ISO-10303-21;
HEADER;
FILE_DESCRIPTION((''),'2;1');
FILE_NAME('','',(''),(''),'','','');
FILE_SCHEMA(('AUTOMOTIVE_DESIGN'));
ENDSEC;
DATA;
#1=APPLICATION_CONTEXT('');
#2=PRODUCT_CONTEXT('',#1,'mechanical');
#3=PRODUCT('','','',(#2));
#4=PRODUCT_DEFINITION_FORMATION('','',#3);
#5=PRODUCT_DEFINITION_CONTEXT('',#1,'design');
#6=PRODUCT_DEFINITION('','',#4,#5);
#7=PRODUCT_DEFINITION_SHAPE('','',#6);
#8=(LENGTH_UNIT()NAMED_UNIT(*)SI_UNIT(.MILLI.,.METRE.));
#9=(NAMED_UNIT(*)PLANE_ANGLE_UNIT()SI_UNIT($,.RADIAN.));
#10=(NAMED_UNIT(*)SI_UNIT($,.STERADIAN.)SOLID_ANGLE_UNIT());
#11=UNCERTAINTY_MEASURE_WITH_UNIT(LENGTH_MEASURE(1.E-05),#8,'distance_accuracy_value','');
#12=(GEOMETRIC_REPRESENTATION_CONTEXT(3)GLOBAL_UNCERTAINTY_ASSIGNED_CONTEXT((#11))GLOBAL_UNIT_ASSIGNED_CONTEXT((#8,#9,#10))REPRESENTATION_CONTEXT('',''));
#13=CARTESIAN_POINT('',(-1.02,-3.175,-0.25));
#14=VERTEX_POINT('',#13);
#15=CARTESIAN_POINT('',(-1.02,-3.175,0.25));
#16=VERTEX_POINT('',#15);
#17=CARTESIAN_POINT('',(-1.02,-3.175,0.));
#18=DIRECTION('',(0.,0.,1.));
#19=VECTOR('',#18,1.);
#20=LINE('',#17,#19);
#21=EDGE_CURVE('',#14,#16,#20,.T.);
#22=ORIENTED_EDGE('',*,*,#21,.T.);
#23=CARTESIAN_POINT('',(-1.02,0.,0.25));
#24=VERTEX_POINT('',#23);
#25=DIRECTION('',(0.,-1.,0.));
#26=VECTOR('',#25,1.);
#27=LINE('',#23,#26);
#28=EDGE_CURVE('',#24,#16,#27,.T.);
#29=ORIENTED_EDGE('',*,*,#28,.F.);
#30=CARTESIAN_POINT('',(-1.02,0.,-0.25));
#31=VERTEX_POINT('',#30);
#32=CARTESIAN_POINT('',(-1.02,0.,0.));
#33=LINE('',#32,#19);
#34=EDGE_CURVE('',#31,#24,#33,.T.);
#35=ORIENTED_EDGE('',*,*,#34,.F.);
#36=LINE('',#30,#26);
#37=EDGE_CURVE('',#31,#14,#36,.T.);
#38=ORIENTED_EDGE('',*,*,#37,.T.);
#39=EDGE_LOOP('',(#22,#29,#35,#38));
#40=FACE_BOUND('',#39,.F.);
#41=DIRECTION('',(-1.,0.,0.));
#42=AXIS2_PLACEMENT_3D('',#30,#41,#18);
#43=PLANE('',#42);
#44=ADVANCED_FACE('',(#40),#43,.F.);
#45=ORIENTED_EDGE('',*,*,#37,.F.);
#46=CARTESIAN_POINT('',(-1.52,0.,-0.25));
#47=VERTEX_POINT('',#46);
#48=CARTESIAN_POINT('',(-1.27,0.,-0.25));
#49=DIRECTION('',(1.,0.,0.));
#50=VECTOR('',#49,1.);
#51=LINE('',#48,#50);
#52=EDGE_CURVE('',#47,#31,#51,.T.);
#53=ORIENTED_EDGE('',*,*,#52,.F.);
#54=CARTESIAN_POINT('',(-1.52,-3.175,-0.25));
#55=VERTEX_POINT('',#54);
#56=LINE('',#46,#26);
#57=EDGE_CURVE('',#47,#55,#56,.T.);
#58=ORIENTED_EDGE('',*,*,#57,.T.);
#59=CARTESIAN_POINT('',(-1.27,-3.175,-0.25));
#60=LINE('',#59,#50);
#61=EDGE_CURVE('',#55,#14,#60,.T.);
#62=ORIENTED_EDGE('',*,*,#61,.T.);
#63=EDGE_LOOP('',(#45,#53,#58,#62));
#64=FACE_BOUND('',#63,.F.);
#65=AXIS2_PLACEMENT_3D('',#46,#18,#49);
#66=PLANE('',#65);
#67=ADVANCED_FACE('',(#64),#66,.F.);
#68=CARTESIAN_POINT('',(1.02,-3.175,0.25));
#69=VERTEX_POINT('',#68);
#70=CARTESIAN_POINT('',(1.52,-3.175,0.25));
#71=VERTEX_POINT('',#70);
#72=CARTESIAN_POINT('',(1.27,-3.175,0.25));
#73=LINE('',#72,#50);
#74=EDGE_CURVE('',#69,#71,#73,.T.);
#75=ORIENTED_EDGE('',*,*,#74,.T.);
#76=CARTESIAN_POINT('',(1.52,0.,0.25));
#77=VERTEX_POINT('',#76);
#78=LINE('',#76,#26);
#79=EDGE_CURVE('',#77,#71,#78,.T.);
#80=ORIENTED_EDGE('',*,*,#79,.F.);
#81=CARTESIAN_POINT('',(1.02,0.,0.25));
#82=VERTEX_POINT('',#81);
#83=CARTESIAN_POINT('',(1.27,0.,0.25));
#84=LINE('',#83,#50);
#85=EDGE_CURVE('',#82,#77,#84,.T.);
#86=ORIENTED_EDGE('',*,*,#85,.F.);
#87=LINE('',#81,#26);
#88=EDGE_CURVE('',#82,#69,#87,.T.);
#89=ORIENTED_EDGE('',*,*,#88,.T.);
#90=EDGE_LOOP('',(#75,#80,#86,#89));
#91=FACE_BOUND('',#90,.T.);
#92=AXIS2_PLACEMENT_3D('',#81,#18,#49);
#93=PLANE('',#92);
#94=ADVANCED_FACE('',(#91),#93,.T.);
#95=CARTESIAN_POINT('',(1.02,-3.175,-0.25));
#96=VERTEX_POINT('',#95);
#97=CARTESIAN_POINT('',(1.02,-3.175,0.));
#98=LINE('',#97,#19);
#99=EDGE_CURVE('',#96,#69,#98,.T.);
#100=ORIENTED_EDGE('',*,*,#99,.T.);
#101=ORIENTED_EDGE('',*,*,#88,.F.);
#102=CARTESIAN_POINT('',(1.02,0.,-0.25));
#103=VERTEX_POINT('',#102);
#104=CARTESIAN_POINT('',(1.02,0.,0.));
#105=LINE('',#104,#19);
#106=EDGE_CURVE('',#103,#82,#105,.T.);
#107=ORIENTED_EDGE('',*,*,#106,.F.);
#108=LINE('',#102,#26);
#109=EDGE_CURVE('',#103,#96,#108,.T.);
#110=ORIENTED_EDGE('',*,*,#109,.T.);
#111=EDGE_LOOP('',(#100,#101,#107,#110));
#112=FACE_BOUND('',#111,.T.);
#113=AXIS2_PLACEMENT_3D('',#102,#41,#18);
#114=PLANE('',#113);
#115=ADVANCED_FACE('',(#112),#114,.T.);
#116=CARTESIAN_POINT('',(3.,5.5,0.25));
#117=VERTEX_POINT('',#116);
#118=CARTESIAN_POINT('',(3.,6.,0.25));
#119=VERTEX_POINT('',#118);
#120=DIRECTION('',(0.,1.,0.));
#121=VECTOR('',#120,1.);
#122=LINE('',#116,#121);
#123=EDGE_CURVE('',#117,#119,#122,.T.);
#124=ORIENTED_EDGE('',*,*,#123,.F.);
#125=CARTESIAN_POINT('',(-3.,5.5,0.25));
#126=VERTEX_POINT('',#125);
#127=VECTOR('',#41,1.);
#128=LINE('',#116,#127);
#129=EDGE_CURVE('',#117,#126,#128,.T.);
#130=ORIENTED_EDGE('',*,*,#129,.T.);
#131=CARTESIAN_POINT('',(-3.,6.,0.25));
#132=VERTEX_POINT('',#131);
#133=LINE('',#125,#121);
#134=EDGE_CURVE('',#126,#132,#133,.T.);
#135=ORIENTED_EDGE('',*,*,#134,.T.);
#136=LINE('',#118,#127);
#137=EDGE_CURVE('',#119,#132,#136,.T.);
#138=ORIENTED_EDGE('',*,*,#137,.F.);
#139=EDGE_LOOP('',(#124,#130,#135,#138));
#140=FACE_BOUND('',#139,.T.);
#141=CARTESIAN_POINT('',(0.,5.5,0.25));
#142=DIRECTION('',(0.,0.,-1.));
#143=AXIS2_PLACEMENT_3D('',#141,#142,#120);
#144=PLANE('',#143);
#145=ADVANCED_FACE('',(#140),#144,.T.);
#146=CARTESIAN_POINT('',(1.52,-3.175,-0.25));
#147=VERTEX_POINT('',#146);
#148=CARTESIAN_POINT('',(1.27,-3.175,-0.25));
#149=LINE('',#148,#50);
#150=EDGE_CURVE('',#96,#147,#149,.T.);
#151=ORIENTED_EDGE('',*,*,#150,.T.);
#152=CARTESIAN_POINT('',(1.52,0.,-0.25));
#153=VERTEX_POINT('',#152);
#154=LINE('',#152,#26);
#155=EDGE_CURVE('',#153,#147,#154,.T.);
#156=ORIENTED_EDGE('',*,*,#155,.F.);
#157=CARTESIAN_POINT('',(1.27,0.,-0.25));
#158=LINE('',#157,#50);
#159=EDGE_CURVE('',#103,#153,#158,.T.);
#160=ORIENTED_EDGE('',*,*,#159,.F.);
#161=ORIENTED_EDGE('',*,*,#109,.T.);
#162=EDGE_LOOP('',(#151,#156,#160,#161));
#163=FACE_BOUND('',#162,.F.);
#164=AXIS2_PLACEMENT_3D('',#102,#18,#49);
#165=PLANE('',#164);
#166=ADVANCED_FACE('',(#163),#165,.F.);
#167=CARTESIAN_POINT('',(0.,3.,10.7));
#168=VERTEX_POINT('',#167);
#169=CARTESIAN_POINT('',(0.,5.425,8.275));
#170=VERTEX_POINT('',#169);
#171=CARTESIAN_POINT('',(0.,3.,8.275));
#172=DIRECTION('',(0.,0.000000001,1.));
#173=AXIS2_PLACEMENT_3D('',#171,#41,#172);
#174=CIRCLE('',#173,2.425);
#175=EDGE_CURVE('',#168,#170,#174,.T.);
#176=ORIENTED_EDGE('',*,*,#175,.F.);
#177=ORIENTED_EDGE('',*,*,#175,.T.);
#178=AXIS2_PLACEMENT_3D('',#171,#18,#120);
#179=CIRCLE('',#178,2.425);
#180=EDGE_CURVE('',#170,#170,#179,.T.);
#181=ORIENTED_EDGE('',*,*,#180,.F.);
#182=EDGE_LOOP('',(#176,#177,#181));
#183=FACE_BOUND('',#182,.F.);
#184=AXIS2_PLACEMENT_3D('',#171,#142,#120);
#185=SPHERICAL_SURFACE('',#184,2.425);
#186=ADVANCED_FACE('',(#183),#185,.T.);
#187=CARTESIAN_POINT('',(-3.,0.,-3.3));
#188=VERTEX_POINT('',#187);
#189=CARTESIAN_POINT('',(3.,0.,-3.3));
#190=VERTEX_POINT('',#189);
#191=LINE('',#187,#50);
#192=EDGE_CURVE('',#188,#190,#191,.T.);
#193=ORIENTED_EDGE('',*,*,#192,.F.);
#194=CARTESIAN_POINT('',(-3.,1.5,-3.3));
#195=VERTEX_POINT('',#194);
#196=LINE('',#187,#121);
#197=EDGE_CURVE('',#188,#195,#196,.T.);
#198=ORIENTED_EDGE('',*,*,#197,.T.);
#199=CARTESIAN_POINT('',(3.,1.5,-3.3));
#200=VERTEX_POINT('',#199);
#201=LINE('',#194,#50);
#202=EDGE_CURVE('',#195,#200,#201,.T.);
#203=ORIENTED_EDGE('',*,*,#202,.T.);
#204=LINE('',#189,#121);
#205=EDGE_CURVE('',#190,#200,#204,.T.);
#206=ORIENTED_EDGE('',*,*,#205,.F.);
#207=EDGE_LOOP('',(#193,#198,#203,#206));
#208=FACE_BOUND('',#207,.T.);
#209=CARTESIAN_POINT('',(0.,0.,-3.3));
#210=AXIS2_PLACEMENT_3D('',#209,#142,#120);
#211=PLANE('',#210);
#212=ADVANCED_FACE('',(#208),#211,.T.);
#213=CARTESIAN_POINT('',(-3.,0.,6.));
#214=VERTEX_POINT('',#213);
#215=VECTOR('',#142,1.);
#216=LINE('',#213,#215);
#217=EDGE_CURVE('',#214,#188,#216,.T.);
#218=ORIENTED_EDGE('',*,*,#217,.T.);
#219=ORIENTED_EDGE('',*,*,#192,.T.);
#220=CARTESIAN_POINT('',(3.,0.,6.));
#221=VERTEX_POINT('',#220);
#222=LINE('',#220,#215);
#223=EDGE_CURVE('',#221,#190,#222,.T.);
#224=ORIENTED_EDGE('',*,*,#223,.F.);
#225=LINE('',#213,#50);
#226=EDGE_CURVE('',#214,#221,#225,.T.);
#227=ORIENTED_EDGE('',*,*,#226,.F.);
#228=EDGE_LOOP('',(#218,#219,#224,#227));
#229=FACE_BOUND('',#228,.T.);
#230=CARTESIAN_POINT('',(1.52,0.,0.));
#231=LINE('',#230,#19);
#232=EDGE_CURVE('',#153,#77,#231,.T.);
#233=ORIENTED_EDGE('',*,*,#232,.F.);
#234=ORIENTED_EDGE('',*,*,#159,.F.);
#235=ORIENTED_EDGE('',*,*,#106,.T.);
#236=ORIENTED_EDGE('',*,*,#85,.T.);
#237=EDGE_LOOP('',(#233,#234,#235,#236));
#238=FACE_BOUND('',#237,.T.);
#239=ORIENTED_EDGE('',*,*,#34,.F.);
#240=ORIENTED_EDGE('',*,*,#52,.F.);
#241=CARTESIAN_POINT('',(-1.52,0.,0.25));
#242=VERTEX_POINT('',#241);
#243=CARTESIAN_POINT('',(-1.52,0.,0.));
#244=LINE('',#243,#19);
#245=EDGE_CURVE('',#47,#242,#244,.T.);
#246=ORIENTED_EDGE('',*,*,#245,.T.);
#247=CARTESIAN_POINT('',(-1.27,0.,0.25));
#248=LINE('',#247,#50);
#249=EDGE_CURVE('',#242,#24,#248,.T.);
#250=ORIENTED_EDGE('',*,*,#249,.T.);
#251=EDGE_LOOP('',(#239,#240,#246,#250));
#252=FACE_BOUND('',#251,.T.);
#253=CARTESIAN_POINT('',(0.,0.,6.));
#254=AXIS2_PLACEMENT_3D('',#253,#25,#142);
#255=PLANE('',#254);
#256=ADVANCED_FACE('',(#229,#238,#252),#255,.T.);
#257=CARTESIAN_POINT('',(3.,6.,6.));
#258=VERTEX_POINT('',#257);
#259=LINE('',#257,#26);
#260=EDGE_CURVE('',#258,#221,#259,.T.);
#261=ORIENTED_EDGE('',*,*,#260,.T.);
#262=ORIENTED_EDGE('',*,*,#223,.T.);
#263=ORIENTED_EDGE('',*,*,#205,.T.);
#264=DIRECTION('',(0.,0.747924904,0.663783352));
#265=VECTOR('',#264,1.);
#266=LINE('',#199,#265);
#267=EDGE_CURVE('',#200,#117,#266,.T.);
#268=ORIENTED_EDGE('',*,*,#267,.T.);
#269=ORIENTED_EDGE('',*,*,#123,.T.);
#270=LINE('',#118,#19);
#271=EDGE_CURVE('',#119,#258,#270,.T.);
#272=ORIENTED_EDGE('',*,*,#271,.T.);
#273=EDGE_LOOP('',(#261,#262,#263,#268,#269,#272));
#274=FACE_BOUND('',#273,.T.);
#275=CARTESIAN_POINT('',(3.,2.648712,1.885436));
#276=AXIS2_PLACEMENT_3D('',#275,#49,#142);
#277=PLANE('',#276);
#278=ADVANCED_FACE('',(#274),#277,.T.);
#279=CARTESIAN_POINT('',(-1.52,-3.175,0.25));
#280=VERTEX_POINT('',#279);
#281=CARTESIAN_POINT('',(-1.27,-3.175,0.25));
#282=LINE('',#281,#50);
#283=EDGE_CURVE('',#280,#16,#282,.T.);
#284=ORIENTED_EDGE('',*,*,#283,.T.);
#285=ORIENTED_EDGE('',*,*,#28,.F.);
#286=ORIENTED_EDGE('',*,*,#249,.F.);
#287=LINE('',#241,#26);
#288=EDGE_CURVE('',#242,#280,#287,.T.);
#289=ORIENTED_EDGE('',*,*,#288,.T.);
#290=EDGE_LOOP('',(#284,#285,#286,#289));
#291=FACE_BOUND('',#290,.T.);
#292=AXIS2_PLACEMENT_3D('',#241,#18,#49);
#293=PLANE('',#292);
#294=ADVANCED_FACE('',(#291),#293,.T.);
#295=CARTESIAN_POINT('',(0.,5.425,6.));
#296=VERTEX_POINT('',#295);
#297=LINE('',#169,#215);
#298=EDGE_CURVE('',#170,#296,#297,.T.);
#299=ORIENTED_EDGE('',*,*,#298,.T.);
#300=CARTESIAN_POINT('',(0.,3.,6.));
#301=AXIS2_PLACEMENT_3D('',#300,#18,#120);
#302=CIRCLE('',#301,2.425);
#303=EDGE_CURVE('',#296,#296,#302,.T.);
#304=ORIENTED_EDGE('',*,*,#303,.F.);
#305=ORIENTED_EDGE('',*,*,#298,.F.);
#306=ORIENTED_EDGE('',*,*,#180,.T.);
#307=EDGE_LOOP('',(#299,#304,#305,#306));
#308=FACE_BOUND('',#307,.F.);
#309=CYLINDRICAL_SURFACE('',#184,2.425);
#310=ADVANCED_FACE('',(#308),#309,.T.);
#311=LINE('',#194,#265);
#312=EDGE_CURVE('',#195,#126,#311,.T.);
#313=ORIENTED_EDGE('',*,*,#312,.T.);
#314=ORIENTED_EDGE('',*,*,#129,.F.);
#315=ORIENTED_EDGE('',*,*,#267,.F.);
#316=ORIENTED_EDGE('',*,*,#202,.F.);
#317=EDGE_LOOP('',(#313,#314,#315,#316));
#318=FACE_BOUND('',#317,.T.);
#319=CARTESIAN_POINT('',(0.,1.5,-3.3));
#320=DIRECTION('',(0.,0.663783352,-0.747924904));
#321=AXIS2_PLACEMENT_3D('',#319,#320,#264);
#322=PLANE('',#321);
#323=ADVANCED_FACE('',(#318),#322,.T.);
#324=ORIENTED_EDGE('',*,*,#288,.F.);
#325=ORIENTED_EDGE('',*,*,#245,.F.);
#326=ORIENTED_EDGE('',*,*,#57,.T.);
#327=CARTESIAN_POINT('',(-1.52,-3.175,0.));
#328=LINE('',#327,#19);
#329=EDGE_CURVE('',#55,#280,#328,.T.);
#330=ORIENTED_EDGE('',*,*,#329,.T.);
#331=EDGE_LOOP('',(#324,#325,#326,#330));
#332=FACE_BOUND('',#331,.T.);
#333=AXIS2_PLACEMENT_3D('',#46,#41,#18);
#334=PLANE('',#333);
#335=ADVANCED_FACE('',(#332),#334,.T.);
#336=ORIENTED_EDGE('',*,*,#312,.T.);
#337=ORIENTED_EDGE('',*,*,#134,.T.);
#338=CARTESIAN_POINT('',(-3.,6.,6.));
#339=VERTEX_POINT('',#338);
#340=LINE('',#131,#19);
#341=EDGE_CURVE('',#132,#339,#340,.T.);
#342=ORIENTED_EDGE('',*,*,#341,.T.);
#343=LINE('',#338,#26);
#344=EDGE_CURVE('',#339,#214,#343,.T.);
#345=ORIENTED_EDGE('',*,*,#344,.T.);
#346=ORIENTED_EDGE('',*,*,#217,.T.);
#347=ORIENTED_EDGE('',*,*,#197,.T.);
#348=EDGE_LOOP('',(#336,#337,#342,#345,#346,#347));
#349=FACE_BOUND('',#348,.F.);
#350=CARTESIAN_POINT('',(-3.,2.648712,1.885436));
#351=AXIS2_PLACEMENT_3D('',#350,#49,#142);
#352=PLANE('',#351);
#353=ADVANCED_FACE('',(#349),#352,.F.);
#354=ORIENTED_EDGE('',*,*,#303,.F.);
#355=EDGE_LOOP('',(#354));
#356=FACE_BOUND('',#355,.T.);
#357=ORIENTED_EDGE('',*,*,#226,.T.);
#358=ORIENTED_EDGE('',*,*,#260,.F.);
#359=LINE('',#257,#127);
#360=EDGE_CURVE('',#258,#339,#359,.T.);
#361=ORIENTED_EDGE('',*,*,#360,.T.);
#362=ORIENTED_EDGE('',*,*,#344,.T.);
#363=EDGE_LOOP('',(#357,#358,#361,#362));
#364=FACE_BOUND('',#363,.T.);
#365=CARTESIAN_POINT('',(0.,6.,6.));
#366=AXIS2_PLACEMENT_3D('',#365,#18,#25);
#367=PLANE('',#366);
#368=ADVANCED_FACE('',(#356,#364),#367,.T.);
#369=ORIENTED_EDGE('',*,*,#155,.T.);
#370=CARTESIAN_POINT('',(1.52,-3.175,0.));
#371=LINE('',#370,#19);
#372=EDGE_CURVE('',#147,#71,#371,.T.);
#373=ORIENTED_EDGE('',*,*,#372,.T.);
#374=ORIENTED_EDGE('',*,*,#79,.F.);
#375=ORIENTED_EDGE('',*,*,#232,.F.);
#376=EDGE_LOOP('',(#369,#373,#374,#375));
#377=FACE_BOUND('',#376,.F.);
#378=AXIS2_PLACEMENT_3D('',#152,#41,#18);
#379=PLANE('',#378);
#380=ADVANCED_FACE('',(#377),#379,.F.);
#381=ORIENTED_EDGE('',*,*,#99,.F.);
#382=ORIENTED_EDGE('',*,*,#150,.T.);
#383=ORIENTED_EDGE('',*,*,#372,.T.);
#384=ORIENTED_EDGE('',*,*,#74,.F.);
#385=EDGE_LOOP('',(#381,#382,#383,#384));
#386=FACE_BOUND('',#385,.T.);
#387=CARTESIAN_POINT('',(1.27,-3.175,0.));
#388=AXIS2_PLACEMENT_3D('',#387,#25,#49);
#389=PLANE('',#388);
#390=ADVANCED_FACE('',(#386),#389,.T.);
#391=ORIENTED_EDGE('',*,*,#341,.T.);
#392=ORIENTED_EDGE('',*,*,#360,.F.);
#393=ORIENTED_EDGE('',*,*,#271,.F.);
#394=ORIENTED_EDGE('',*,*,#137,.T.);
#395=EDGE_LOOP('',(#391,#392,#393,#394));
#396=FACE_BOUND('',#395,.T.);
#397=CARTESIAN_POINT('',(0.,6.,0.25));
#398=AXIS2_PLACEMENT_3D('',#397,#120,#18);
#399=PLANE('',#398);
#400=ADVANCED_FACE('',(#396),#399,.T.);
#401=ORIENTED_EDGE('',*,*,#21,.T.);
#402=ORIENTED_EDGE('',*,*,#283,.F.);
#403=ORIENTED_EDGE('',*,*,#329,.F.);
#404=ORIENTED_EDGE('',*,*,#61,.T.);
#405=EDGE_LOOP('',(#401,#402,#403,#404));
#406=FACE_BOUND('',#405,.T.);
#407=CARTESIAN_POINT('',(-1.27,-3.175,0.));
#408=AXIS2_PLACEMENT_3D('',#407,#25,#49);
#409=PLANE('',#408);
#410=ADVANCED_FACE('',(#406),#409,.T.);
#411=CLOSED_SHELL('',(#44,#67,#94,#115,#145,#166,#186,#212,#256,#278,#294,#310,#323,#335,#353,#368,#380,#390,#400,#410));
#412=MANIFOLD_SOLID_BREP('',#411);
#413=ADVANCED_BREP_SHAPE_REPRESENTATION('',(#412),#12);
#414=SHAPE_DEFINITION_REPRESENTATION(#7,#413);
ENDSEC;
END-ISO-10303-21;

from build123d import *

# Parameters (mm, degrees)
BOSS_EXTRUDE1_DEPTH = 3
SKETCH3_W           = 0.5
SKETCH3_H           = 0.5
BOSS_EXTRUDE2_DEPTH = 3.175


with BuildPart() as part:
    # Sketch1 → Boss-Extrude1 (new body, symmetric)
    with BuildSketch(Plane(origin=(0, 0, 0), x_dir=(0, 0, -1), z_dir=(1, 0, 0))):
        Polygon((-6, 6), (-6, 0), (3.3, 0), (3.3, 1.5), (-0.25, 5.5), (-0.25, 6), align=None)
    extrude(amount=BOSS_EXTRUDE1_DEPTH, both=True)

    # Sketch2 → Revolve1 (revolve)
    with BuildSketch(Plane(origin=(0, 0, 0), x_dir=(0, 0, -1), z_dir=(1, 0, 0))):
        with BuildLine():
            Line((-6, 3), (-10.7, 3))
            ThreePointArc((-10.7, 3), (-9.989733944, 4.714733944), (-8.275, 5.425))
            Line((-8.275, 5.425), (-6, 5.425))
            Line((-6, 5.425), (-6, 3))
        make_face()
    revolve(axis=Axis((0, 3, 6), (0, 0, 1)))

    # Sketch3 → Boss-Extrude2 (add)
    with BuildSketch(Plane.XZ):
        with Locations((-1.27, 0)):
            Rectangle(SKETCH3_W, SKETCH3_H)
        with Locations((1.27, 0)):
            Rectangle(SKETCH3_W, SKETCH3_H)
    extrude(amount=BOSS_EXTRUDE2_DEPTH)


solid = part.part
